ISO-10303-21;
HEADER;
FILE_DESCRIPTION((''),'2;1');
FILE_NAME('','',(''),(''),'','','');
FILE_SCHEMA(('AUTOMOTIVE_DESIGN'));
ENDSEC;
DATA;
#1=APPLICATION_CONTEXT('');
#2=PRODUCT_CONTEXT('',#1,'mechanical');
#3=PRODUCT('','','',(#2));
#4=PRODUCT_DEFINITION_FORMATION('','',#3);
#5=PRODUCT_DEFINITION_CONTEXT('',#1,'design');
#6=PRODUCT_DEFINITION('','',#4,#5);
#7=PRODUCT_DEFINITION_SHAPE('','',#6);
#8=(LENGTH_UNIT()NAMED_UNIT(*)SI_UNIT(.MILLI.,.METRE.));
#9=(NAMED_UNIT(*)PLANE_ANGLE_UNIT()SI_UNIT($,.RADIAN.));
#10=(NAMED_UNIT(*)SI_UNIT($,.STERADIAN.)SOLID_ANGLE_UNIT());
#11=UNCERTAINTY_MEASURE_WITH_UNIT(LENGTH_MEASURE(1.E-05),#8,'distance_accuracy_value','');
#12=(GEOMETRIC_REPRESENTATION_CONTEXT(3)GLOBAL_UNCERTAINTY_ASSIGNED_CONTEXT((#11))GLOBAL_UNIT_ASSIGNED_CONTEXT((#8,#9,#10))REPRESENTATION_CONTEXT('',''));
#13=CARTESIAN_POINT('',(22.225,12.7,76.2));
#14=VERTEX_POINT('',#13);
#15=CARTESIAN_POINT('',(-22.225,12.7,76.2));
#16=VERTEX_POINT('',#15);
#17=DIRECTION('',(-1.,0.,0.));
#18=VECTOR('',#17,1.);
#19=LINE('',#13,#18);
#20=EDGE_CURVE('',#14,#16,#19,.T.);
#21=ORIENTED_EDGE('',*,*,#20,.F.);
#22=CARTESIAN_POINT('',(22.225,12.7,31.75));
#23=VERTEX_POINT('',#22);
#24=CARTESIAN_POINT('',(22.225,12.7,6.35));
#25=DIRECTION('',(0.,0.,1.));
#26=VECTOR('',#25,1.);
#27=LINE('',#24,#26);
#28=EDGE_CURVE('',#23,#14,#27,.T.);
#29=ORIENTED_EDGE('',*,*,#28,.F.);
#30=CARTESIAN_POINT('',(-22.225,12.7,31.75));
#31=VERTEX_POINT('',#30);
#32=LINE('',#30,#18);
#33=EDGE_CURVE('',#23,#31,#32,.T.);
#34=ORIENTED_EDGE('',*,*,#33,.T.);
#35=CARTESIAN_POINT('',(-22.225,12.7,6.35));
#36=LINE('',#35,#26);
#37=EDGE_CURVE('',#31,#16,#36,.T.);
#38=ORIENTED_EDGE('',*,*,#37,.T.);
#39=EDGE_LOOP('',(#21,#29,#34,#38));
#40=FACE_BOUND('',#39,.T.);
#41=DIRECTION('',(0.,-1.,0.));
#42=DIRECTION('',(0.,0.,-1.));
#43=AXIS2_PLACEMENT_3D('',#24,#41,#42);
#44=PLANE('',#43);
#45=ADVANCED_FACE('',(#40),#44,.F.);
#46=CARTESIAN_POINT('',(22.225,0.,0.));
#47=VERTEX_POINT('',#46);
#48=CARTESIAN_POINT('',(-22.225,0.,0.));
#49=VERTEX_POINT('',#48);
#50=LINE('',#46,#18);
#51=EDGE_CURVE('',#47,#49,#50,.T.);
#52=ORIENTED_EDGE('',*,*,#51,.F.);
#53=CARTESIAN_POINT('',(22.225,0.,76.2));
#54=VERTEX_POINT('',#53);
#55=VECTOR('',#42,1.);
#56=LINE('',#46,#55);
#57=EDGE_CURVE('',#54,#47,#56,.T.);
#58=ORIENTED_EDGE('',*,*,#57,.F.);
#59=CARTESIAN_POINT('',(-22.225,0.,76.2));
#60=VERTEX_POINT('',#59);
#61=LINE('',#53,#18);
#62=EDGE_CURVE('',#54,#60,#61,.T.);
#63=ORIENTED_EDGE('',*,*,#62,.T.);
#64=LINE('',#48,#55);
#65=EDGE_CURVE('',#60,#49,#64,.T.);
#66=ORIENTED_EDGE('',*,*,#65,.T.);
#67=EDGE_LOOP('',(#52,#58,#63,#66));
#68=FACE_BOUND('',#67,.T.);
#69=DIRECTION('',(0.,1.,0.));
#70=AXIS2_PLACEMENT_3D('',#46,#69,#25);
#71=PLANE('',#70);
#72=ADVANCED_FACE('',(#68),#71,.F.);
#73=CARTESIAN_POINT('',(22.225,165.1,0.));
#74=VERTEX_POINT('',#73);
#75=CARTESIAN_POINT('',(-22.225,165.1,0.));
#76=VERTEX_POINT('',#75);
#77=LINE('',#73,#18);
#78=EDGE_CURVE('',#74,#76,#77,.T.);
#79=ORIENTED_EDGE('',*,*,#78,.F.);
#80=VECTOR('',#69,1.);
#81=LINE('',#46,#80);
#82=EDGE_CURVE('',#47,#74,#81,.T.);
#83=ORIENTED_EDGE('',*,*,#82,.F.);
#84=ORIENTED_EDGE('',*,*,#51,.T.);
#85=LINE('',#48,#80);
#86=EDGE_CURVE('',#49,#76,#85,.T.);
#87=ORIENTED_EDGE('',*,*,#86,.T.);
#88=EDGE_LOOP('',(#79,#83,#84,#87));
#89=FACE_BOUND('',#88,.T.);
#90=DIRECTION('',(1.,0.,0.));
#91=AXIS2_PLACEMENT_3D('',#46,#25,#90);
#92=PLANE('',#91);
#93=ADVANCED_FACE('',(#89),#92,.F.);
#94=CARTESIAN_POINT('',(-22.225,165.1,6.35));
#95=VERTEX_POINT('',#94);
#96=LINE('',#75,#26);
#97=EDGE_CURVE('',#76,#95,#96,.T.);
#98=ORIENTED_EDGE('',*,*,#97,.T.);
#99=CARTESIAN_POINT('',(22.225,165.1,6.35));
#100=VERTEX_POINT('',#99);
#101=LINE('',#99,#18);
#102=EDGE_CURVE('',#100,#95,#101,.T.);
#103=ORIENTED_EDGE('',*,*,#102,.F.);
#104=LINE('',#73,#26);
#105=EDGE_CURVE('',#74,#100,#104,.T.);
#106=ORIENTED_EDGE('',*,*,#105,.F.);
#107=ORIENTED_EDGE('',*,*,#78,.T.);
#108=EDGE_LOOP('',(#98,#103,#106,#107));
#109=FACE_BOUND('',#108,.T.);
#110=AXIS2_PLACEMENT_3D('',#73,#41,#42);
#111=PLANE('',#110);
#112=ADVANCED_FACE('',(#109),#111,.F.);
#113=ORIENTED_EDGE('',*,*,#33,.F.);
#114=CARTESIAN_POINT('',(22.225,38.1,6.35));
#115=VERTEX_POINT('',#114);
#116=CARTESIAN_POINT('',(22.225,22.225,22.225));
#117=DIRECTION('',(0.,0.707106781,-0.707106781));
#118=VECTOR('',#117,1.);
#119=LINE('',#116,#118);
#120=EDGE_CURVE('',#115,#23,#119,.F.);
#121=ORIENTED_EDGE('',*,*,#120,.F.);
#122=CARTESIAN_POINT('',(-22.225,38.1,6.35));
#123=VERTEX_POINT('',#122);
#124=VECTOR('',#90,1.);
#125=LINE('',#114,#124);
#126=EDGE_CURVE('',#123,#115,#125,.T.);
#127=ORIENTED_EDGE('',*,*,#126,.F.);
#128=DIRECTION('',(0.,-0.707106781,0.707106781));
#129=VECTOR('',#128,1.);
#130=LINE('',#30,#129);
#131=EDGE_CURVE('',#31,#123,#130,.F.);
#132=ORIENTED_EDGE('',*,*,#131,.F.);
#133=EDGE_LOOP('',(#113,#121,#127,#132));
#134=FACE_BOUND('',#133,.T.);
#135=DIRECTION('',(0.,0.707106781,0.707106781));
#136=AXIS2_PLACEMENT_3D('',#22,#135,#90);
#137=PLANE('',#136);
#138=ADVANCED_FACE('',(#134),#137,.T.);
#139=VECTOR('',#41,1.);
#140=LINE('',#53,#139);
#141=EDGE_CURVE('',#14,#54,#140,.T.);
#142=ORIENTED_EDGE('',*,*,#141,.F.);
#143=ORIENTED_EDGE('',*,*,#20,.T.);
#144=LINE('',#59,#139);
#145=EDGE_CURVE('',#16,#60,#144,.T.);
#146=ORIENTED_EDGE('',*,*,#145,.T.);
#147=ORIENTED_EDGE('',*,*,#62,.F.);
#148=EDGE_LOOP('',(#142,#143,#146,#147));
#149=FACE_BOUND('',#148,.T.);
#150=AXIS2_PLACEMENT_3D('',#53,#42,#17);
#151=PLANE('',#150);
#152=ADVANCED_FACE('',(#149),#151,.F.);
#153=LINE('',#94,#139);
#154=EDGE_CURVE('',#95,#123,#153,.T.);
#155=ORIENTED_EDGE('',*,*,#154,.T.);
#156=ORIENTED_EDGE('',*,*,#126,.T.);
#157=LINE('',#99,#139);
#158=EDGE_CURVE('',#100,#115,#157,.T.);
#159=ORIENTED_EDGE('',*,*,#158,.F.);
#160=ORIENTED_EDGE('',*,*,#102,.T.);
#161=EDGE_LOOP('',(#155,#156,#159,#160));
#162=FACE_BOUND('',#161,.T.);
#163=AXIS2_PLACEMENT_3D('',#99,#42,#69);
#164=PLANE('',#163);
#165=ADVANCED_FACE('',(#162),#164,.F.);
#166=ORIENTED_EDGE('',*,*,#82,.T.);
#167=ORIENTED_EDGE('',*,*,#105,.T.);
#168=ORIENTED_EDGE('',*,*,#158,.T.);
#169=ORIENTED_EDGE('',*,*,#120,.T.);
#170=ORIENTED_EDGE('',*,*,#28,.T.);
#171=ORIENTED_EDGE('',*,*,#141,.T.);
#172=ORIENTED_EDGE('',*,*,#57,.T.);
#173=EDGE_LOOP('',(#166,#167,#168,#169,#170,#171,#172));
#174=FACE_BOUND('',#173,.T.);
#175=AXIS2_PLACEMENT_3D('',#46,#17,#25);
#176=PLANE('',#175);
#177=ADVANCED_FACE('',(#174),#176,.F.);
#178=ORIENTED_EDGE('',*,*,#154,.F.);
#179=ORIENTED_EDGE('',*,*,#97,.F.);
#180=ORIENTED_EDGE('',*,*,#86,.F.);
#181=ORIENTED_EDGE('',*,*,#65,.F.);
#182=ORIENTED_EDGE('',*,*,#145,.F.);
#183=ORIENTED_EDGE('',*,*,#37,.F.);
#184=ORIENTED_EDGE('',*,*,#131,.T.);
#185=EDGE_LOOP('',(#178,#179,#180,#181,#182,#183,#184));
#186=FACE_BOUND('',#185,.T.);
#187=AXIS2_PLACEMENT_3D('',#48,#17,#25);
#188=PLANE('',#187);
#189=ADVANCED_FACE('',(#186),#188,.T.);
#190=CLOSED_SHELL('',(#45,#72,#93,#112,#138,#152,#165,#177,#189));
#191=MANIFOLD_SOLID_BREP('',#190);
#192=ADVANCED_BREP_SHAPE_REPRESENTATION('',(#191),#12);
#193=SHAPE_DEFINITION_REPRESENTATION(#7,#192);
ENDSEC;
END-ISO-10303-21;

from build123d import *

# Parameters (mm, degrees)
BOSS_EXTRUDE1_DEPTH = 22.225
CHAMFER1_SIZE       = 25.4


with BuildPart() as part:
    # Sketch1 → Boss-Extrude1 (new, symmetric)
    with BuildSketch(Plane(origin=(0, 0, 0), x_dir=(0, 0, -1), z_dir=(1, 0, 0))):
        Polygon((0, 0), (0, 165.1), (-6.35, 165.1), (-6.35, 12.7), (-76.2, 12.7), (-76.2, 0), align=None)
    extrude(amount=BOSS_EXTRUDE1_DEPTH, both=True)

    # Chamfer1
    chamfer1_edges = [part.edges().sort_by_distance(p)[0] for p in [
        (0, 12.7, 6.35),
    ]]
    chamfer(chamfer1_edges, length=CHAMFER1_SIZE)


solid = part.part
